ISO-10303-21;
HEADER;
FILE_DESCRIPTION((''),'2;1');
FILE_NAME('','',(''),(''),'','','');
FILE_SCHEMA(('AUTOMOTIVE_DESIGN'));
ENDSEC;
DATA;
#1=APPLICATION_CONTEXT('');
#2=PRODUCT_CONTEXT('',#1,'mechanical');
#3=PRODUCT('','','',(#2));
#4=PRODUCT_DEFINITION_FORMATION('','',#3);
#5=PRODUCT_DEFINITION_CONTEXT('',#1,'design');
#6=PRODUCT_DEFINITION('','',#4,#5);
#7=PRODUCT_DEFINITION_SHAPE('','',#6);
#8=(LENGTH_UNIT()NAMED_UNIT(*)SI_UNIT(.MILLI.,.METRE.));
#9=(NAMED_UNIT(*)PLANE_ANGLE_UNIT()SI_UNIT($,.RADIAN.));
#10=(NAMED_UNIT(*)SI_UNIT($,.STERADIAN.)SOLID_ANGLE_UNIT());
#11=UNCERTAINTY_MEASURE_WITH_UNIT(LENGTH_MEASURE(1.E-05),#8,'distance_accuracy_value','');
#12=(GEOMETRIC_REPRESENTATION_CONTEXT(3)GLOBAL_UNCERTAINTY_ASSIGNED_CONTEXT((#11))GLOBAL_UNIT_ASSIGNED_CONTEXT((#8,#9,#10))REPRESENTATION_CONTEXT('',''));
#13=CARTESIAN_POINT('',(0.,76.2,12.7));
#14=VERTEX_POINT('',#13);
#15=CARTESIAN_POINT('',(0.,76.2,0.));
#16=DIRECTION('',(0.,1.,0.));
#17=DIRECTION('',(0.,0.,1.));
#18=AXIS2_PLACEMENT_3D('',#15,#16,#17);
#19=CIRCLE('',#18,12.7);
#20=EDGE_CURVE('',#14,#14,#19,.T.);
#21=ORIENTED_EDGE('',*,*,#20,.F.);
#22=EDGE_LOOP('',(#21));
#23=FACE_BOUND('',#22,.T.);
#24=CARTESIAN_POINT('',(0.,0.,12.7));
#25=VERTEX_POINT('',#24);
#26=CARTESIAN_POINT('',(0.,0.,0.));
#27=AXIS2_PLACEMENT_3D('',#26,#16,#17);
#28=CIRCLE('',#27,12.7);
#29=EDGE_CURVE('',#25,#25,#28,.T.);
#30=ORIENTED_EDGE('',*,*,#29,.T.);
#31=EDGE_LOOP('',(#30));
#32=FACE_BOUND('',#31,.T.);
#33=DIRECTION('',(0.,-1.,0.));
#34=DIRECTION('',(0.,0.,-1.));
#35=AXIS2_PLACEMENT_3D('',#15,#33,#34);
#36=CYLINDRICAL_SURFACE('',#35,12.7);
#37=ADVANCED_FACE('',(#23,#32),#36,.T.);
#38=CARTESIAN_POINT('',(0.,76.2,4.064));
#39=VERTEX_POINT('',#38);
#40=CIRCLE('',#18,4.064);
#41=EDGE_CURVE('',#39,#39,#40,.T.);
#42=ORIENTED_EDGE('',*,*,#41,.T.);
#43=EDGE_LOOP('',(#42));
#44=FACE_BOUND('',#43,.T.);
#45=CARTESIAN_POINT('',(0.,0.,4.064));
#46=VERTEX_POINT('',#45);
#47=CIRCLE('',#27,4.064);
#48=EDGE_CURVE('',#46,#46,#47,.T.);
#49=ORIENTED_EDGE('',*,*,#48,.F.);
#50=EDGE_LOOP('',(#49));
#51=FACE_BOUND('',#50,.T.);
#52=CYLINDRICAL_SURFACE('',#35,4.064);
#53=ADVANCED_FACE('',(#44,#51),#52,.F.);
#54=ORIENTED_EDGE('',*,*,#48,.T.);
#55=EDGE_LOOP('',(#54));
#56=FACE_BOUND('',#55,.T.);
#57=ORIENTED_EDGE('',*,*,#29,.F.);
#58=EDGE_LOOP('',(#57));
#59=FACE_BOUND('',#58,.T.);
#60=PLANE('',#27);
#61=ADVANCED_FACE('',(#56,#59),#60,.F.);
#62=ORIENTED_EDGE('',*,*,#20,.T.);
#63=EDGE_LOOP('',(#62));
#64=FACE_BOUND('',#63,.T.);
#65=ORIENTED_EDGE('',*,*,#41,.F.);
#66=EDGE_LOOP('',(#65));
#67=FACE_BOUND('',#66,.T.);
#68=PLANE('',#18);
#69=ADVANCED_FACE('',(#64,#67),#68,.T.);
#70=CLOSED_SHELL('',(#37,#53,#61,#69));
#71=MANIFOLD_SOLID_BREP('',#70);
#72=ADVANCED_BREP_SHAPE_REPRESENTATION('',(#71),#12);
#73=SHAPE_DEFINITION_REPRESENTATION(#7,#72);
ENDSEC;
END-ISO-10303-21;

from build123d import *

# Parameters (mm, degrees)
SKETCH1_R           = 12.7
SKETCH1_R_2         = 4.064
BOSS_EXTRUDE1_DEPTH = 76.2


with BuildPart() as part:
    # Sketch1 → Boss-Extrude1 (new body)
    with BuildSketch(Plane(origin=(0, 0, 0), x_dir=(1, 0, 0), z_dir=(0, 1, 0))):
        Circle(SKETCH1_R)
        Circle(SKETCH1_R_2, mode=Mode.SUBTRACT)
    extrude(amount=BOSS_EXTRUDE1_DEPTH)


solid = part.part
